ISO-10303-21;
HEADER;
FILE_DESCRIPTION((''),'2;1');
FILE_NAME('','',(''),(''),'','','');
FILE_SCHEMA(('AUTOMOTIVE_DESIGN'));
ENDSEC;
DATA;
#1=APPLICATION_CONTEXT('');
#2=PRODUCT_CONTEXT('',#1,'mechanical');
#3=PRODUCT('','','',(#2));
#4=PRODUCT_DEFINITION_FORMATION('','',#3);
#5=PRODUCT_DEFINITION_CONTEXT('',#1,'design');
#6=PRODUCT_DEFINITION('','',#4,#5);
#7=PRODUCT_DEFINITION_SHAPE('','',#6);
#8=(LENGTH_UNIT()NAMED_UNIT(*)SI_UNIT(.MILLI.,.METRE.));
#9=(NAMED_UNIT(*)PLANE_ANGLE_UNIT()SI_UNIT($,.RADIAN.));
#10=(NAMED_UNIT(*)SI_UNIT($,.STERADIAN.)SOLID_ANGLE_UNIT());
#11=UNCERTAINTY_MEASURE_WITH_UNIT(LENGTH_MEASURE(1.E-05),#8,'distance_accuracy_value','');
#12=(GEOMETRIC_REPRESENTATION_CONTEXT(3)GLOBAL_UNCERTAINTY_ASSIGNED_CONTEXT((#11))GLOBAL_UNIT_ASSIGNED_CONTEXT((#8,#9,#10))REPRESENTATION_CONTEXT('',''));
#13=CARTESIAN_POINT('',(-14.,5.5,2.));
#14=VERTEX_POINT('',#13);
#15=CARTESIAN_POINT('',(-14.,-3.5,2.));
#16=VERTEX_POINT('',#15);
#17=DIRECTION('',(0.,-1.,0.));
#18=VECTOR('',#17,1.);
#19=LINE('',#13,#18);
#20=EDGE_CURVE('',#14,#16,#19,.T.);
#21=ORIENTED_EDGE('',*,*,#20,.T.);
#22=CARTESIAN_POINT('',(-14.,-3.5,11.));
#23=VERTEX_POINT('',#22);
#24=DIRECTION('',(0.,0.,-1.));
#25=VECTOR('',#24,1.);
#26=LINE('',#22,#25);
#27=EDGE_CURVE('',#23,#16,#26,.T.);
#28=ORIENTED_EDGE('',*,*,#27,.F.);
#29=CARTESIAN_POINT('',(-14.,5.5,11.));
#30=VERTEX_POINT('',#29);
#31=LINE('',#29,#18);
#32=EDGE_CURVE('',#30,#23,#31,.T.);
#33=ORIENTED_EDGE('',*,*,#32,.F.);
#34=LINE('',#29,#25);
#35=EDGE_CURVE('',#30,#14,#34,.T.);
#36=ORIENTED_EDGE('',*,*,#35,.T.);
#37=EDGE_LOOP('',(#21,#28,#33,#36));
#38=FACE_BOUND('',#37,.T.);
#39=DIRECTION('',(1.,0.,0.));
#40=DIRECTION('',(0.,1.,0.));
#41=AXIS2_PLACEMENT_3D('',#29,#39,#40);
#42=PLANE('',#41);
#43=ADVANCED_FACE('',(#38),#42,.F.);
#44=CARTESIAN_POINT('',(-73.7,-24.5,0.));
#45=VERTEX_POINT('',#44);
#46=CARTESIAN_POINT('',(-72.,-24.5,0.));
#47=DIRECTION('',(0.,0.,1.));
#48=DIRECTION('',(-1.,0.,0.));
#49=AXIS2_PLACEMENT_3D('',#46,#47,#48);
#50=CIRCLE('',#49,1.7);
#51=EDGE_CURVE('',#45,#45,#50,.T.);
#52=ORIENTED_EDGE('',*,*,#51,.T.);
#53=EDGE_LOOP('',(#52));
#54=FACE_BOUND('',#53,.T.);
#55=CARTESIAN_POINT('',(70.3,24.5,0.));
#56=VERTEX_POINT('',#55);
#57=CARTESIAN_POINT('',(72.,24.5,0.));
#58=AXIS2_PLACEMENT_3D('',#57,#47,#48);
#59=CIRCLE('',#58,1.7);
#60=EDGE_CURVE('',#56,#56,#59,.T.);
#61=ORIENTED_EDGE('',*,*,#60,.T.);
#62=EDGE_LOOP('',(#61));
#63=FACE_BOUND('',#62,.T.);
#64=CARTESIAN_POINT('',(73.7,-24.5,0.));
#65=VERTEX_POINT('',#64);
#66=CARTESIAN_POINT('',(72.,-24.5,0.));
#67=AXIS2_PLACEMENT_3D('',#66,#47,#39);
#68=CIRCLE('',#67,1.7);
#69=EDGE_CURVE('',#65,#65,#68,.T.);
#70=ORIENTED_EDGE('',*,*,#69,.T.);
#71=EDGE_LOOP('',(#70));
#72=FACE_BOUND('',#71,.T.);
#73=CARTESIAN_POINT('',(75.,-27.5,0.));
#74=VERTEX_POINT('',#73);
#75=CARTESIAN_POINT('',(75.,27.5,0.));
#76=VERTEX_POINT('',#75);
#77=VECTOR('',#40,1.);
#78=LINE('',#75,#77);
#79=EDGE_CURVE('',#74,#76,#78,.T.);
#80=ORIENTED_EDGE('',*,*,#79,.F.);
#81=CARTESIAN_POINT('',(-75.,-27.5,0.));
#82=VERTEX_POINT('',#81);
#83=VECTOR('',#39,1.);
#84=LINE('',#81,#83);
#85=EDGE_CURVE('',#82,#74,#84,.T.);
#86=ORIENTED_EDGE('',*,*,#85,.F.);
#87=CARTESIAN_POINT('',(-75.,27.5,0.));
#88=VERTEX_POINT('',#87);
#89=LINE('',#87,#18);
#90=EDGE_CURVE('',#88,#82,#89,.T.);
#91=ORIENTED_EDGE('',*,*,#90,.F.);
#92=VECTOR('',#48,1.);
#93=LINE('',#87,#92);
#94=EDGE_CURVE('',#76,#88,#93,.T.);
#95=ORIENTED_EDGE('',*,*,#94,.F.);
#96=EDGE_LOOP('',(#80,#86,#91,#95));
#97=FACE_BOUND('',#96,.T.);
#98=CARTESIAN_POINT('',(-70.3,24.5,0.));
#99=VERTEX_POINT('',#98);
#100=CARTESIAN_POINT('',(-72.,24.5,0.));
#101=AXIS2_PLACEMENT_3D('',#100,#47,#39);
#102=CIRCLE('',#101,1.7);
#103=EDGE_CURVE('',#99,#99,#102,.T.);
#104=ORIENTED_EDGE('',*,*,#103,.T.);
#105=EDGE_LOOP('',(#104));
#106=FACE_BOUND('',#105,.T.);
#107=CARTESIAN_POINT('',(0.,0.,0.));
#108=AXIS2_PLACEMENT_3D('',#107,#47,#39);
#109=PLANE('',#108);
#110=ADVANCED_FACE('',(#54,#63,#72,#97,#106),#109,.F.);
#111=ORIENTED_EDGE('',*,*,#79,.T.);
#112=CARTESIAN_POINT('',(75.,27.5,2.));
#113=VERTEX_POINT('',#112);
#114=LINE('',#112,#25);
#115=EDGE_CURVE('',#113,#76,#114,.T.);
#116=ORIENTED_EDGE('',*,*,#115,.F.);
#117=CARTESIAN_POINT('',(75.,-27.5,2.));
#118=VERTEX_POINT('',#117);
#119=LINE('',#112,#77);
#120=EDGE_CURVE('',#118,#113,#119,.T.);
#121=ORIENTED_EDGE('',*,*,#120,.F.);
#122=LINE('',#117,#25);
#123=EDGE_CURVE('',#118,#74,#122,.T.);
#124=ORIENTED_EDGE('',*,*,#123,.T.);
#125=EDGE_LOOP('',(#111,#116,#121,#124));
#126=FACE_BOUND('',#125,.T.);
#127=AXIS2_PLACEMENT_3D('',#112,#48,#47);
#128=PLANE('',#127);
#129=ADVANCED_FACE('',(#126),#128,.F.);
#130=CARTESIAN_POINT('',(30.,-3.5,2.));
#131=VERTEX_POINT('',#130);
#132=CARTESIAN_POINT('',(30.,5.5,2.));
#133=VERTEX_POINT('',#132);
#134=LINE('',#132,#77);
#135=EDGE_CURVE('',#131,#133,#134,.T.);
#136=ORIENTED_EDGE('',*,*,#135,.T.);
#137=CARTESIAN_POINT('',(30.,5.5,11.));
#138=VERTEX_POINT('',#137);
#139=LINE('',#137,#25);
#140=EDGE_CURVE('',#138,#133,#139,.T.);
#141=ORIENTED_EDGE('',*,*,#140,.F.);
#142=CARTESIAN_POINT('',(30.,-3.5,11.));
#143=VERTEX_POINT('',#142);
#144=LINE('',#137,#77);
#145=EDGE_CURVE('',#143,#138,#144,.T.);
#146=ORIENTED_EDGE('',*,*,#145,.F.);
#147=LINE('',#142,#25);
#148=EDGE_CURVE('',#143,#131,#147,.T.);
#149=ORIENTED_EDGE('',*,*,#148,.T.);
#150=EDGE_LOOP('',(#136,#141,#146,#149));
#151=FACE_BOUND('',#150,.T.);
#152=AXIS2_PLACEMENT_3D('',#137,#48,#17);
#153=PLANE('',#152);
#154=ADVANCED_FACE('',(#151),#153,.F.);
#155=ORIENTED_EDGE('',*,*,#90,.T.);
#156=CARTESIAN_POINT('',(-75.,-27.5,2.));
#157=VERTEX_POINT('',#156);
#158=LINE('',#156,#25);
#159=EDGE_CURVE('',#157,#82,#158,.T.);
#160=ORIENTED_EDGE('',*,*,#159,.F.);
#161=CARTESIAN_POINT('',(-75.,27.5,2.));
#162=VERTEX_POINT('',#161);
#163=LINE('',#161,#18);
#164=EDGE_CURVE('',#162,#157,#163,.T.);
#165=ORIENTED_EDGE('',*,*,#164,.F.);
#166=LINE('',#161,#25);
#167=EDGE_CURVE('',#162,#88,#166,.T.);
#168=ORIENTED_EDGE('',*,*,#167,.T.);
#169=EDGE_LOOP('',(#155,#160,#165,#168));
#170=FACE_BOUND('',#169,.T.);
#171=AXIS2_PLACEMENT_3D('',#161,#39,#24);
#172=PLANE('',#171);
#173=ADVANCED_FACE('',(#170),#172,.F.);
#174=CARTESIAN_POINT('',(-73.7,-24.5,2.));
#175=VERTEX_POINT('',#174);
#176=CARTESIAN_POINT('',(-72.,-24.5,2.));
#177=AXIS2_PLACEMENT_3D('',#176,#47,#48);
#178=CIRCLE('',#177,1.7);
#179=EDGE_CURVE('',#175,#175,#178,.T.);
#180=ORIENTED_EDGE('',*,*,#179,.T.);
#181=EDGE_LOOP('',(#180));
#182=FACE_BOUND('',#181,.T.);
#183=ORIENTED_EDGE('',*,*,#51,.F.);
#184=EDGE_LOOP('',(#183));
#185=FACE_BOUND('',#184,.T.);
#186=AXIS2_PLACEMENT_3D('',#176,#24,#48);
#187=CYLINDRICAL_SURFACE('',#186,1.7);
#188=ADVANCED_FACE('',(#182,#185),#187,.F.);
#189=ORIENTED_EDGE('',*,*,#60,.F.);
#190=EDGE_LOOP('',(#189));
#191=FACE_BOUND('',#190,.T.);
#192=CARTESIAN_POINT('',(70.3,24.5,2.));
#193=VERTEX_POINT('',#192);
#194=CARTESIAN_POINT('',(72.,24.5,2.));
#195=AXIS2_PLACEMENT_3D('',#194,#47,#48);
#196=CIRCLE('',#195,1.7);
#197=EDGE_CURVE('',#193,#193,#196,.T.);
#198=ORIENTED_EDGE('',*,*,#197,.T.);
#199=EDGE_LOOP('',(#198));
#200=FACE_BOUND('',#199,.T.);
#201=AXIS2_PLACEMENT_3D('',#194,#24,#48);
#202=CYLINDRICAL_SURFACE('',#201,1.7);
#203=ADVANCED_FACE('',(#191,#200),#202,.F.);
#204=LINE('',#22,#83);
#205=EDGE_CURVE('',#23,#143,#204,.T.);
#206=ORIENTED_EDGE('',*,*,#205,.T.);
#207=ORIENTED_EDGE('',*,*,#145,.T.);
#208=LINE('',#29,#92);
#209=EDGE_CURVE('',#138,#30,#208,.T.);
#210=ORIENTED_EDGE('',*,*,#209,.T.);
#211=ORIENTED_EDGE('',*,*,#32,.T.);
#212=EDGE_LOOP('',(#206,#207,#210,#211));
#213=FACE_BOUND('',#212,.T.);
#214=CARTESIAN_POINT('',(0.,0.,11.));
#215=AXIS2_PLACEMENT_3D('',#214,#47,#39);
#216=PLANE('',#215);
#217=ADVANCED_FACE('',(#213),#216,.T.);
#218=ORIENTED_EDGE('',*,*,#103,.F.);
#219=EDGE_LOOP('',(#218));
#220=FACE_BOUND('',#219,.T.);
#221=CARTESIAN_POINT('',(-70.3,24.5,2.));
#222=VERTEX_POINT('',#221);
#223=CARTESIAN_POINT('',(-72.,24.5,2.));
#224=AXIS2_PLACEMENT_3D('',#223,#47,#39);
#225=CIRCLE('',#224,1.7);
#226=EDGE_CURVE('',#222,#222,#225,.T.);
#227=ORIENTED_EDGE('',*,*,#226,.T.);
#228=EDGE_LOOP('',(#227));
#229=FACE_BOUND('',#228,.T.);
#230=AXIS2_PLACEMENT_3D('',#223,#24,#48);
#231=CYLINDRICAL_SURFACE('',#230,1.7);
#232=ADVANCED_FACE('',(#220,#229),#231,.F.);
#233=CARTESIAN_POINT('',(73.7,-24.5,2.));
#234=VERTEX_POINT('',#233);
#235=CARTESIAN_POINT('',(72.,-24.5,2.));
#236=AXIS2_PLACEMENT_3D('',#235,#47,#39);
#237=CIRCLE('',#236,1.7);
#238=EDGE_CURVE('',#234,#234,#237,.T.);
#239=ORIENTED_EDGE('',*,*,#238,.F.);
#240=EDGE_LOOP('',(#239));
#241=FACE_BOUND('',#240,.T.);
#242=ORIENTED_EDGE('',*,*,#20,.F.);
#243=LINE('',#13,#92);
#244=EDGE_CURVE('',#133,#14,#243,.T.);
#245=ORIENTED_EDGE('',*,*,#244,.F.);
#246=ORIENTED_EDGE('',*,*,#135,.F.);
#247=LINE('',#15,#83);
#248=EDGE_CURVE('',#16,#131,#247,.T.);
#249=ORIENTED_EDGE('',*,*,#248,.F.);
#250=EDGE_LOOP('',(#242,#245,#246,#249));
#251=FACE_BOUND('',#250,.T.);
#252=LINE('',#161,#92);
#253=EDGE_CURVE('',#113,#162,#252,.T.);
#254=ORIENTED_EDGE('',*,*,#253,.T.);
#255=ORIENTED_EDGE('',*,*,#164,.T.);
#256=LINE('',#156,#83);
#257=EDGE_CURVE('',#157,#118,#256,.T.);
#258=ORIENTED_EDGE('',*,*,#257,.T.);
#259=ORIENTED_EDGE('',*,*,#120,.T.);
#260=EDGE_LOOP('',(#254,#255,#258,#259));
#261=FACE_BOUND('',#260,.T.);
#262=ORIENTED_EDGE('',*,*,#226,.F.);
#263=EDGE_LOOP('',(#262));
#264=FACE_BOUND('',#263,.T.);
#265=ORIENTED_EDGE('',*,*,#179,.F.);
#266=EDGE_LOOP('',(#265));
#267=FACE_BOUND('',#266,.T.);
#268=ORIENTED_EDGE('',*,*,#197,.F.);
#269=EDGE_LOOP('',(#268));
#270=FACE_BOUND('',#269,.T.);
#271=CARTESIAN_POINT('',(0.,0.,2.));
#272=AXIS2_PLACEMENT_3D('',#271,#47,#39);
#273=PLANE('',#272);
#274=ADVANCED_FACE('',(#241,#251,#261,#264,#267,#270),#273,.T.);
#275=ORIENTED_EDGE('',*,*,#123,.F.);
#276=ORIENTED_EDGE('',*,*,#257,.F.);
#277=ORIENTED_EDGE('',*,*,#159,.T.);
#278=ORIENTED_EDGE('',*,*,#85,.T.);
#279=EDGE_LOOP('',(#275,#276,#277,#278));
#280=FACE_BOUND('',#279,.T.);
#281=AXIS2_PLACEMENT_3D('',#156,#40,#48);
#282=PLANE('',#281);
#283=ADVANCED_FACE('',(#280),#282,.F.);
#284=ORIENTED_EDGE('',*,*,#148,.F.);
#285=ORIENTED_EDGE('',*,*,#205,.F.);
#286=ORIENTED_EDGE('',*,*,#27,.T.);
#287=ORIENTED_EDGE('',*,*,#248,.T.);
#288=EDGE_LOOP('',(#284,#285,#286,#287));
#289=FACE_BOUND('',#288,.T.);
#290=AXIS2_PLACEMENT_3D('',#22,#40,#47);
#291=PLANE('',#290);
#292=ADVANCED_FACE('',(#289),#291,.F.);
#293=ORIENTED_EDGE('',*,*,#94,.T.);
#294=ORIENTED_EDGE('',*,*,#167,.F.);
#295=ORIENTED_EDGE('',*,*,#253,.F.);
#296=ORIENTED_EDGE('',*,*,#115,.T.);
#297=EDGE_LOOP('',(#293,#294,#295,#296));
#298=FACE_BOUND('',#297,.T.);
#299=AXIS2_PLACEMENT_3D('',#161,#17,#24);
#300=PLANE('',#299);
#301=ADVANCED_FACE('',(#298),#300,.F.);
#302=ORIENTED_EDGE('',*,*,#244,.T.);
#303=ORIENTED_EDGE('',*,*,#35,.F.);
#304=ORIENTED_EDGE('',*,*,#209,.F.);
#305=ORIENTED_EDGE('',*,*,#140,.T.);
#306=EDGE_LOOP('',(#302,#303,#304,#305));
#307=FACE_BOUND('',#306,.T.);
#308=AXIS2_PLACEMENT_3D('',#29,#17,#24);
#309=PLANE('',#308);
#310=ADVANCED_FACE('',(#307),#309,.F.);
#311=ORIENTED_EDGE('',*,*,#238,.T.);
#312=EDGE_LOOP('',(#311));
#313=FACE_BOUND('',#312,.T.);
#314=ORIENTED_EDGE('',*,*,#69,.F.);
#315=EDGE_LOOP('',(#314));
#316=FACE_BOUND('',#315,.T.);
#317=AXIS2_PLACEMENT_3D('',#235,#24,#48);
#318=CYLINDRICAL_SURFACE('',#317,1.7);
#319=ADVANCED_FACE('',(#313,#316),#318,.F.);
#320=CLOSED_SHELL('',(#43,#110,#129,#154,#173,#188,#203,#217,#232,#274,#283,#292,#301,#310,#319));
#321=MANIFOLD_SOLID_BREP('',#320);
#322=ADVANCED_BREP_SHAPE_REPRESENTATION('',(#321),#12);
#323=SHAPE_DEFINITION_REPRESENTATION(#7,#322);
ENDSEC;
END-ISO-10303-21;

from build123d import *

# Parameters (mm, degrees)
SKETCH_1_W      = 150
SKETCH_1_H      = 55
SKETCH_1_R      = 1.7
EXTRUDE_1_DEPTH = 2
SKETCH_2_W      = 44
SKETCH_2_H      = 9
EXTRUDE_2_DEPTH = 9


with BuildPart() as part:
    # 草圖1 → 填料-伸長1 (new body)
    with BuildSketch(Plane.XY):
        Rectangle(SKETCH_1_W, SKETCH_1_H)
        with Locations((-72, 24.5)):
            Circle(SKETCH_1_R, mode=Mode.SUBTRACT)
        with Locations(Location((72, 24.5, 0), (0, 0, 180))):
            Circle(SKETCH_1_R, mode=Mode.SUBTRACT)
        with Locations((72, -24.5)):
            Circle(SKETCH_1_R, mode=Mode.SUBTRACT)
        with Locations(Location((-72, -24.5, 0), (0, 0, 180))):
            Circle(SKETCH_1_R, mode=Mode.SUBTRACT)
    extrude(amount=EXTRUDE_1_DEPTH)

    # 草圖2 → 填料-伸長2 (add)
    with BuildSketch(Plane.XY.offset(2)):
        with Locations((8, 1)):
            Rectangle(SKETCH_2_W, SKETCH_2_H)
    extrude(amount=EXTRUDE_2_DEPTH)


solid = part.part
